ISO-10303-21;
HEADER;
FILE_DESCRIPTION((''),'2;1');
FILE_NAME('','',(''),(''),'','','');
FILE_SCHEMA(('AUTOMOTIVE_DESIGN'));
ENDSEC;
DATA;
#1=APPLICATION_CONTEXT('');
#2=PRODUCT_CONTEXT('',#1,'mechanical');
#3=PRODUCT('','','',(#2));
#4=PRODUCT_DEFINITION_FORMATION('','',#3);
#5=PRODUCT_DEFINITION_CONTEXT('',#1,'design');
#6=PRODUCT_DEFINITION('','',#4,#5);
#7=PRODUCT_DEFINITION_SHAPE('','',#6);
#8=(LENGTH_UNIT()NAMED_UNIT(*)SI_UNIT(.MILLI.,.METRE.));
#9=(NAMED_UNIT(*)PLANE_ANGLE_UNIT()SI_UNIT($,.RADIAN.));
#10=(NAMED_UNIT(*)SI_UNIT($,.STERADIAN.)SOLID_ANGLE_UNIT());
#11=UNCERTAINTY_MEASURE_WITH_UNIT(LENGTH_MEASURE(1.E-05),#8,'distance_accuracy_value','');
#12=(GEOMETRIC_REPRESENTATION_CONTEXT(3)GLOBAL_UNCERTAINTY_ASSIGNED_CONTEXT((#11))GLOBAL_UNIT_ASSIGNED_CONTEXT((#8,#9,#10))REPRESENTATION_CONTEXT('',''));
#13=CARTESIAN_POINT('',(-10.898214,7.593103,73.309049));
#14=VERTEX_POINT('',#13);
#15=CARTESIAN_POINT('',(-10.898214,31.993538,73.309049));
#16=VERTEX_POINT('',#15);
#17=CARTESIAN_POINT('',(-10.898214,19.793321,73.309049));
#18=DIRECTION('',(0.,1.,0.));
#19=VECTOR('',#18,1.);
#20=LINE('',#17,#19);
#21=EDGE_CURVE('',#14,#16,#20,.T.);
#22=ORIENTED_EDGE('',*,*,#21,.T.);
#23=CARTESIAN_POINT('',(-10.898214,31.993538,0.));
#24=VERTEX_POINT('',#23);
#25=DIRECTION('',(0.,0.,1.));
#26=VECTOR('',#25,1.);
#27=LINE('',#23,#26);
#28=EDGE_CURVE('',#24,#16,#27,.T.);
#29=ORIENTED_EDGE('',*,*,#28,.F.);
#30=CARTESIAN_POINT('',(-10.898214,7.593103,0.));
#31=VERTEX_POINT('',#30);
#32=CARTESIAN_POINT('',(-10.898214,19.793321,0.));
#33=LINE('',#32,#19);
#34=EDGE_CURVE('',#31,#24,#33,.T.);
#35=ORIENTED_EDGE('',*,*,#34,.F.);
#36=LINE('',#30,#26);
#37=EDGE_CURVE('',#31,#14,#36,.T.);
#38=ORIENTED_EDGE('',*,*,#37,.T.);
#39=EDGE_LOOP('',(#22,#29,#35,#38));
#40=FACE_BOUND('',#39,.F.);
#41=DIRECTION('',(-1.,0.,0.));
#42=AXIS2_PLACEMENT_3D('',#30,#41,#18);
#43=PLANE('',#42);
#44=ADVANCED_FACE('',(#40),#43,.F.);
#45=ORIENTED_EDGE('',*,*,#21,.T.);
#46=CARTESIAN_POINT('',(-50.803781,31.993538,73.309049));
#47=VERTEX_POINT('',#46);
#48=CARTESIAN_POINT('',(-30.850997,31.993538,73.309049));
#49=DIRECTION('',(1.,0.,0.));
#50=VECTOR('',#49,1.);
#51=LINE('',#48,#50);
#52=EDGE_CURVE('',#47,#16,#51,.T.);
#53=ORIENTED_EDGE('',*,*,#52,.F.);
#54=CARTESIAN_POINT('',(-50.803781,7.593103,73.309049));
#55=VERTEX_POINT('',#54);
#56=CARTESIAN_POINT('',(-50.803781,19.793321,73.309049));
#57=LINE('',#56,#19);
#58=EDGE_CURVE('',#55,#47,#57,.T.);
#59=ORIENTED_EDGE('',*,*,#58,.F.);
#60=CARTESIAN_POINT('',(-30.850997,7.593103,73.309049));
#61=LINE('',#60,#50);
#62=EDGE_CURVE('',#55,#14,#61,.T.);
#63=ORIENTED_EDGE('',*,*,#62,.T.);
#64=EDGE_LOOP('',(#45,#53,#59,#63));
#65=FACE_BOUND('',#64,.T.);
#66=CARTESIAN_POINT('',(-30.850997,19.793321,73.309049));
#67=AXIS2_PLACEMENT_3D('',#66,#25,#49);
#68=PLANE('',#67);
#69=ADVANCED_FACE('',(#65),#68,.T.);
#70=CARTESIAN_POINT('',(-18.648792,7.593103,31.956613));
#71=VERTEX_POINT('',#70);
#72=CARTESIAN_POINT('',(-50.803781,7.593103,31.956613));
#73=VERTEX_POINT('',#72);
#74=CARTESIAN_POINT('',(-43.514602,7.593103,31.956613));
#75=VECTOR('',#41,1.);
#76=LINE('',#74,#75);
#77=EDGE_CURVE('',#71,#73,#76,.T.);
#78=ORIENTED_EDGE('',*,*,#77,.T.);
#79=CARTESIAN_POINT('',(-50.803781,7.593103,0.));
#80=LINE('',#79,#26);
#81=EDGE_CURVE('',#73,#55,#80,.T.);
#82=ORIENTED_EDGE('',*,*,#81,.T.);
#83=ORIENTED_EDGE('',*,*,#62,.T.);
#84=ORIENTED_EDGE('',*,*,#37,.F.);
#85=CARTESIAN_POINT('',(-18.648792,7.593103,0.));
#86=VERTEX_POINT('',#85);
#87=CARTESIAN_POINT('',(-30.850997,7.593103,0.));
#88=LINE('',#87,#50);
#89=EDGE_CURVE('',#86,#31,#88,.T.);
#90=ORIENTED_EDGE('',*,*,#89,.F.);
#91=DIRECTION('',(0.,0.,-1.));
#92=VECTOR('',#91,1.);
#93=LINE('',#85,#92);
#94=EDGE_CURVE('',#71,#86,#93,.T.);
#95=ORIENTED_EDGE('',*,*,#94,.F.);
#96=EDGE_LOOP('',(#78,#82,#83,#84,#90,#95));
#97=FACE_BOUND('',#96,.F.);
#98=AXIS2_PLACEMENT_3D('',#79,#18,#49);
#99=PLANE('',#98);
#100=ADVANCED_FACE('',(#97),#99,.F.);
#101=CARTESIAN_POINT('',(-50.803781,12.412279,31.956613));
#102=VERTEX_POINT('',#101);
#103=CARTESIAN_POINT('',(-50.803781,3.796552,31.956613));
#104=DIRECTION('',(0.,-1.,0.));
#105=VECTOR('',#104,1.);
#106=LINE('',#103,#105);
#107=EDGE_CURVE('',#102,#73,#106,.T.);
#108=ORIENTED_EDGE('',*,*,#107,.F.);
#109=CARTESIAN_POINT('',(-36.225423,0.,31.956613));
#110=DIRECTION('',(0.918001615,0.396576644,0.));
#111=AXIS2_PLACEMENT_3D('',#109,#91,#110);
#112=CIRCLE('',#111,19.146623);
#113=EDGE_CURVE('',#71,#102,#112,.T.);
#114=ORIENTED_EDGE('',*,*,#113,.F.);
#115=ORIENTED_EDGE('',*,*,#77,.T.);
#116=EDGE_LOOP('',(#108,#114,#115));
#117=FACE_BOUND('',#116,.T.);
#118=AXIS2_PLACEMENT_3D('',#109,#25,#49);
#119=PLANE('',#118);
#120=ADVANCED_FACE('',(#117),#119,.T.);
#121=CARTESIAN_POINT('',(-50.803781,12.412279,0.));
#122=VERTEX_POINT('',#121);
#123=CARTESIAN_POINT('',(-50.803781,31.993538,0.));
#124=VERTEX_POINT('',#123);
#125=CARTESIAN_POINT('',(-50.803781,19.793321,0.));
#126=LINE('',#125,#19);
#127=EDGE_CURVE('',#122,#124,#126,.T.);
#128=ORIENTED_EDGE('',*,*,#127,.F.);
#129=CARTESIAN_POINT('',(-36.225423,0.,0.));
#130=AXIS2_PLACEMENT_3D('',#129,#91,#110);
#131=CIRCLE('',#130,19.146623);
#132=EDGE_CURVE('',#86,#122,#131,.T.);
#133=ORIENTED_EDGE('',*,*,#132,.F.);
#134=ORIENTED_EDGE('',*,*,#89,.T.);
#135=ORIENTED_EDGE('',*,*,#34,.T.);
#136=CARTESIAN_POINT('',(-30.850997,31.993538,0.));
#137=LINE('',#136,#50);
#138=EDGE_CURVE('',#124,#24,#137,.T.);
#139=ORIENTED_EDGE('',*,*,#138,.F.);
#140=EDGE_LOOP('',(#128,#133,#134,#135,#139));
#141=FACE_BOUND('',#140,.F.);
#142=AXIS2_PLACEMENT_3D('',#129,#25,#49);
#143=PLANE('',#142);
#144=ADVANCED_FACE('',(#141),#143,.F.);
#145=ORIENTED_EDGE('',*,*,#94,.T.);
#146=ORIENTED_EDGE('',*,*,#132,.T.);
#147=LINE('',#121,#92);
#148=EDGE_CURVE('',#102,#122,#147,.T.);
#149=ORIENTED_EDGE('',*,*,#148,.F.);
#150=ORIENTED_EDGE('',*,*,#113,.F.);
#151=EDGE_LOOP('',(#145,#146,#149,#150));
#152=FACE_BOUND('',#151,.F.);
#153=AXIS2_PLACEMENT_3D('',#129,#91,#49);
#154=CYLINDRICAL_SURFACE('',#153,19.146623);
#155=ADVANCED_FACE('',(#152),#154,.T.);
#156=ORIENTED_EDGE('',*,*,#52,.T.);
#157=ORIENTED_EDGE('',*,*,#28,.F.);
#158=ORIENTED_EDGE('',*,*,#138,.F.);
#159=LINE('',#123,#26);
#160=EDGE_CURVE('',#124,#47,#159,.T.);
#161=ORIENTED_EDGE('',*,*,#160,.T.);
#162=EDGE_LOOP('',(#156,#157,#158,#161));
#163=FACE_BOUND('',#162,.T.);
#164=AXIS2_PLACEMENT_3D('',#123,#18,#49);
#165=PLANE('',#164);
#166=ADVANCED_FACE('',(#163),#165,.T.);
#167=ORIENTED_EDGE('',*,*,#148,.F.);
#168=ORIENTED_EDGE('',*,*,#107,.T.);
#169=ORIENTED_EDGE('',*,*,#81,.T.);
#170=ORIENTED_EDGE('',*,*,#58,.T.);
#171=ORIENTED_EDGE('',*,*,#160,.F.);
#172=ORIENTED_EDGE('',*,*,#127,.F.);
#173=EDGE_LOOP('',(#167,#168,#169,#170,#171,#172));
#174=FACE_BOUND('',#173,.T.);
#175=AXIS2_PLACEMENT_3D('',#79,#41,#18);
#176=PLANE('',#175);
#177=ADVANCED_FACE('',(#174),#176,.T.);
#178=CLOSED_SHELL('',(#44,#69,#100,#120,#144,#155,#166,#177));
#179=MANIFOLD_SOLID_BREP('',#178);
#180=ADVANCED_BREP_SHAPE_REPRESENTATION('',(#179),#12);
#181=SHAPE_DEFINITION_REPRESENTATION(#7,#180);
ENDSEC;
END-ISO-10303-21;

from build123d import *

# Parameters (mm, degrees)
F0_R     = 19.146623
F1_DEPTH = 31.956613
F2_W     = 39.905567
F2_H     = 24.400435
F3_DEPTH = 73.309049


with BuildPart() as f1:
    # F0 (on Top) → F1 (new body)
    with BuildSketch(Plane.XY):
        with Locations((-36.225423, 0)):
            Circle(F0_R)
    extrude(amount=F1_DEPTH)

    # F2 (on Top) → F3 (join)
    with BuildSketch(Plane.XY):
        with Locations((-30.850997, 19.793321)):
            Rectangle(F2_W, F2_H)
    extrude(amount=F3_DEPTH)


solid = f1.part
